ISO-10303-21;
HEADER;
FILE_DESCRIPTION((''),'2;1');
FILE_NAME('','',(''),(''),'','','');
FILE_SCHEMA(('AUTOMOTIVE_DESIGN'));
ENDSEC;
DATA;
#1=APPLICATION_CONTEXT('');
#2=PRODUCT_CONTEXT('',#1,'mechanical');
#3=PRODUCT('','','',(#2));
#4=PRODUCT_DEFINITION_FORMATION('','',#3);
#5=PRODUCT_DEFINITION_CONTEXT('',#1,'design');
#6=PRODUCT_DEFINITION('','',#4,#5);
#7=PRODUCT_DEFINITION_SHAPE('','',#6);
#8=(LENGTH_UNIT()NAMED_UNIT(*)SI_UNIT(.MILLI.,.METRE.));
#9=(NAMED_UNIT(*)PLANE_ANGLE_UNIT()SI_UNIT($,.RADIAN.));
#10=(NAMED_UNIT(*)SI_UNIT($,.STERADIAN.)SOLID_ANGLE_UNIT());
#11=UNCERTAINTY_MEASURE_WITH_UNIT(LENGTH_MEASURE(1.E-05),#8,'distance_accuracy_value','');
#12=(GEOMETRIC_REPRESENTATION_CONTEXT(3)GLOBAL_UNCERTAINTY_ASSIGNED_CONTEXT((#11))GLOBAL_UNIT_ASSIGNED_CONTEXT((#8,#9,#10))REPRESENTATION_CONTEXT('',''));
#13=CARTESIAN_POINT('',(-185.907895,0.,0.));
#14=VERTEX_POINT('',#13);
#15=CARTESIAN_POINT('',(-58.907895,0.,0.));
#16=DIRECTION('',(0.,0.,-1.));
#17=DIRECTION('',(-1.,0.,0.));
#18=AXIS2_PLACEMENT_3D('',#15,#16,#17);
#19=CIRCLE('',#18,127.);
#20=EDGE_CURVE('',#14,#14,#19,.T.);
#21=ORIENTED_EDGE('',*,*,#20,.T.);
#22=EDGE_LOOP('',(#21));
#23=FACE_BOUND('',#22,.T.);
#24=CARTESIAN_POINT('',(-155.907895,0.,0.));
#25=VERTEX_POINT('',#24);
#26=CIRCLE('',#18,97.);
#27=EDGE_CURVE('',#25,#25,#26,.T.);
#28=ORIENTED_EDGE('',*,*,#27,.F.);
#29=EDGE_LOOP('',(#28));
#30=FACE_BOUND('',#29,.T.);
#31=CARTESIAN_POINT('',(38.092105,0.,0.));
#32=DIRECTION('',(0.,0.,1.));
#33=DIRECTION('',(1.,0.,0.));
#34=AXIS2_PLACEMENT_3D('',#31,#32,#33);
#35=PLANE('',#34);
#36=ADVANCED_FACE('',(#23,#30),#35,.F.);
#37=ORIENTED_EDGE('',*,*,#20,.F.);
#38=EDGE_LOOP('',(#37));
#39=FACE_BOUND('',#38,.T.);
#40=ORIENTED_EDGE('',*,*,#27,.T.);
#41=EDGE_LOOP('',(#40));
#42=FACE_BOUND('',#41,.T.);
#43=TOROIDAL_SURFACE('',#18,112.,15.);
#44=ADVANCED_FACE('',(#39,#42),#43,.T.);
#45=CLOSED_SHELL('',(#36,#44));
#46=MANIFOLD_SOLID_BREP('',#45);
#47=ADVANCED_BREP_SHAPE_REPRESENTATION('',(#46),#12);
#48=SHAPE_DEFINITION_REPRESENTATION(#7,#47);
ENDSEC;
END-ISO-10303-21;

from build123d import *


with BuildPart() as part:
    # Sketch1 → Revolve1 (revolve)
    with BuildSketch(Plane(origin=(0, 0, 0), x_dir=(1, 0, 0), z_dir=(0, 1, 0))):
        with BuildLine():
            Line((38.092105263, 0), (68.092105263, 0))
            ThreePointArc((68.092105263, 0), (53.092105263, -15), (38.092105263, 0))
        make_face()
    revolve(axis=Axis((-58.907894737, 0, -53.117687897), (0, 0, 1)))


solid = part.part
